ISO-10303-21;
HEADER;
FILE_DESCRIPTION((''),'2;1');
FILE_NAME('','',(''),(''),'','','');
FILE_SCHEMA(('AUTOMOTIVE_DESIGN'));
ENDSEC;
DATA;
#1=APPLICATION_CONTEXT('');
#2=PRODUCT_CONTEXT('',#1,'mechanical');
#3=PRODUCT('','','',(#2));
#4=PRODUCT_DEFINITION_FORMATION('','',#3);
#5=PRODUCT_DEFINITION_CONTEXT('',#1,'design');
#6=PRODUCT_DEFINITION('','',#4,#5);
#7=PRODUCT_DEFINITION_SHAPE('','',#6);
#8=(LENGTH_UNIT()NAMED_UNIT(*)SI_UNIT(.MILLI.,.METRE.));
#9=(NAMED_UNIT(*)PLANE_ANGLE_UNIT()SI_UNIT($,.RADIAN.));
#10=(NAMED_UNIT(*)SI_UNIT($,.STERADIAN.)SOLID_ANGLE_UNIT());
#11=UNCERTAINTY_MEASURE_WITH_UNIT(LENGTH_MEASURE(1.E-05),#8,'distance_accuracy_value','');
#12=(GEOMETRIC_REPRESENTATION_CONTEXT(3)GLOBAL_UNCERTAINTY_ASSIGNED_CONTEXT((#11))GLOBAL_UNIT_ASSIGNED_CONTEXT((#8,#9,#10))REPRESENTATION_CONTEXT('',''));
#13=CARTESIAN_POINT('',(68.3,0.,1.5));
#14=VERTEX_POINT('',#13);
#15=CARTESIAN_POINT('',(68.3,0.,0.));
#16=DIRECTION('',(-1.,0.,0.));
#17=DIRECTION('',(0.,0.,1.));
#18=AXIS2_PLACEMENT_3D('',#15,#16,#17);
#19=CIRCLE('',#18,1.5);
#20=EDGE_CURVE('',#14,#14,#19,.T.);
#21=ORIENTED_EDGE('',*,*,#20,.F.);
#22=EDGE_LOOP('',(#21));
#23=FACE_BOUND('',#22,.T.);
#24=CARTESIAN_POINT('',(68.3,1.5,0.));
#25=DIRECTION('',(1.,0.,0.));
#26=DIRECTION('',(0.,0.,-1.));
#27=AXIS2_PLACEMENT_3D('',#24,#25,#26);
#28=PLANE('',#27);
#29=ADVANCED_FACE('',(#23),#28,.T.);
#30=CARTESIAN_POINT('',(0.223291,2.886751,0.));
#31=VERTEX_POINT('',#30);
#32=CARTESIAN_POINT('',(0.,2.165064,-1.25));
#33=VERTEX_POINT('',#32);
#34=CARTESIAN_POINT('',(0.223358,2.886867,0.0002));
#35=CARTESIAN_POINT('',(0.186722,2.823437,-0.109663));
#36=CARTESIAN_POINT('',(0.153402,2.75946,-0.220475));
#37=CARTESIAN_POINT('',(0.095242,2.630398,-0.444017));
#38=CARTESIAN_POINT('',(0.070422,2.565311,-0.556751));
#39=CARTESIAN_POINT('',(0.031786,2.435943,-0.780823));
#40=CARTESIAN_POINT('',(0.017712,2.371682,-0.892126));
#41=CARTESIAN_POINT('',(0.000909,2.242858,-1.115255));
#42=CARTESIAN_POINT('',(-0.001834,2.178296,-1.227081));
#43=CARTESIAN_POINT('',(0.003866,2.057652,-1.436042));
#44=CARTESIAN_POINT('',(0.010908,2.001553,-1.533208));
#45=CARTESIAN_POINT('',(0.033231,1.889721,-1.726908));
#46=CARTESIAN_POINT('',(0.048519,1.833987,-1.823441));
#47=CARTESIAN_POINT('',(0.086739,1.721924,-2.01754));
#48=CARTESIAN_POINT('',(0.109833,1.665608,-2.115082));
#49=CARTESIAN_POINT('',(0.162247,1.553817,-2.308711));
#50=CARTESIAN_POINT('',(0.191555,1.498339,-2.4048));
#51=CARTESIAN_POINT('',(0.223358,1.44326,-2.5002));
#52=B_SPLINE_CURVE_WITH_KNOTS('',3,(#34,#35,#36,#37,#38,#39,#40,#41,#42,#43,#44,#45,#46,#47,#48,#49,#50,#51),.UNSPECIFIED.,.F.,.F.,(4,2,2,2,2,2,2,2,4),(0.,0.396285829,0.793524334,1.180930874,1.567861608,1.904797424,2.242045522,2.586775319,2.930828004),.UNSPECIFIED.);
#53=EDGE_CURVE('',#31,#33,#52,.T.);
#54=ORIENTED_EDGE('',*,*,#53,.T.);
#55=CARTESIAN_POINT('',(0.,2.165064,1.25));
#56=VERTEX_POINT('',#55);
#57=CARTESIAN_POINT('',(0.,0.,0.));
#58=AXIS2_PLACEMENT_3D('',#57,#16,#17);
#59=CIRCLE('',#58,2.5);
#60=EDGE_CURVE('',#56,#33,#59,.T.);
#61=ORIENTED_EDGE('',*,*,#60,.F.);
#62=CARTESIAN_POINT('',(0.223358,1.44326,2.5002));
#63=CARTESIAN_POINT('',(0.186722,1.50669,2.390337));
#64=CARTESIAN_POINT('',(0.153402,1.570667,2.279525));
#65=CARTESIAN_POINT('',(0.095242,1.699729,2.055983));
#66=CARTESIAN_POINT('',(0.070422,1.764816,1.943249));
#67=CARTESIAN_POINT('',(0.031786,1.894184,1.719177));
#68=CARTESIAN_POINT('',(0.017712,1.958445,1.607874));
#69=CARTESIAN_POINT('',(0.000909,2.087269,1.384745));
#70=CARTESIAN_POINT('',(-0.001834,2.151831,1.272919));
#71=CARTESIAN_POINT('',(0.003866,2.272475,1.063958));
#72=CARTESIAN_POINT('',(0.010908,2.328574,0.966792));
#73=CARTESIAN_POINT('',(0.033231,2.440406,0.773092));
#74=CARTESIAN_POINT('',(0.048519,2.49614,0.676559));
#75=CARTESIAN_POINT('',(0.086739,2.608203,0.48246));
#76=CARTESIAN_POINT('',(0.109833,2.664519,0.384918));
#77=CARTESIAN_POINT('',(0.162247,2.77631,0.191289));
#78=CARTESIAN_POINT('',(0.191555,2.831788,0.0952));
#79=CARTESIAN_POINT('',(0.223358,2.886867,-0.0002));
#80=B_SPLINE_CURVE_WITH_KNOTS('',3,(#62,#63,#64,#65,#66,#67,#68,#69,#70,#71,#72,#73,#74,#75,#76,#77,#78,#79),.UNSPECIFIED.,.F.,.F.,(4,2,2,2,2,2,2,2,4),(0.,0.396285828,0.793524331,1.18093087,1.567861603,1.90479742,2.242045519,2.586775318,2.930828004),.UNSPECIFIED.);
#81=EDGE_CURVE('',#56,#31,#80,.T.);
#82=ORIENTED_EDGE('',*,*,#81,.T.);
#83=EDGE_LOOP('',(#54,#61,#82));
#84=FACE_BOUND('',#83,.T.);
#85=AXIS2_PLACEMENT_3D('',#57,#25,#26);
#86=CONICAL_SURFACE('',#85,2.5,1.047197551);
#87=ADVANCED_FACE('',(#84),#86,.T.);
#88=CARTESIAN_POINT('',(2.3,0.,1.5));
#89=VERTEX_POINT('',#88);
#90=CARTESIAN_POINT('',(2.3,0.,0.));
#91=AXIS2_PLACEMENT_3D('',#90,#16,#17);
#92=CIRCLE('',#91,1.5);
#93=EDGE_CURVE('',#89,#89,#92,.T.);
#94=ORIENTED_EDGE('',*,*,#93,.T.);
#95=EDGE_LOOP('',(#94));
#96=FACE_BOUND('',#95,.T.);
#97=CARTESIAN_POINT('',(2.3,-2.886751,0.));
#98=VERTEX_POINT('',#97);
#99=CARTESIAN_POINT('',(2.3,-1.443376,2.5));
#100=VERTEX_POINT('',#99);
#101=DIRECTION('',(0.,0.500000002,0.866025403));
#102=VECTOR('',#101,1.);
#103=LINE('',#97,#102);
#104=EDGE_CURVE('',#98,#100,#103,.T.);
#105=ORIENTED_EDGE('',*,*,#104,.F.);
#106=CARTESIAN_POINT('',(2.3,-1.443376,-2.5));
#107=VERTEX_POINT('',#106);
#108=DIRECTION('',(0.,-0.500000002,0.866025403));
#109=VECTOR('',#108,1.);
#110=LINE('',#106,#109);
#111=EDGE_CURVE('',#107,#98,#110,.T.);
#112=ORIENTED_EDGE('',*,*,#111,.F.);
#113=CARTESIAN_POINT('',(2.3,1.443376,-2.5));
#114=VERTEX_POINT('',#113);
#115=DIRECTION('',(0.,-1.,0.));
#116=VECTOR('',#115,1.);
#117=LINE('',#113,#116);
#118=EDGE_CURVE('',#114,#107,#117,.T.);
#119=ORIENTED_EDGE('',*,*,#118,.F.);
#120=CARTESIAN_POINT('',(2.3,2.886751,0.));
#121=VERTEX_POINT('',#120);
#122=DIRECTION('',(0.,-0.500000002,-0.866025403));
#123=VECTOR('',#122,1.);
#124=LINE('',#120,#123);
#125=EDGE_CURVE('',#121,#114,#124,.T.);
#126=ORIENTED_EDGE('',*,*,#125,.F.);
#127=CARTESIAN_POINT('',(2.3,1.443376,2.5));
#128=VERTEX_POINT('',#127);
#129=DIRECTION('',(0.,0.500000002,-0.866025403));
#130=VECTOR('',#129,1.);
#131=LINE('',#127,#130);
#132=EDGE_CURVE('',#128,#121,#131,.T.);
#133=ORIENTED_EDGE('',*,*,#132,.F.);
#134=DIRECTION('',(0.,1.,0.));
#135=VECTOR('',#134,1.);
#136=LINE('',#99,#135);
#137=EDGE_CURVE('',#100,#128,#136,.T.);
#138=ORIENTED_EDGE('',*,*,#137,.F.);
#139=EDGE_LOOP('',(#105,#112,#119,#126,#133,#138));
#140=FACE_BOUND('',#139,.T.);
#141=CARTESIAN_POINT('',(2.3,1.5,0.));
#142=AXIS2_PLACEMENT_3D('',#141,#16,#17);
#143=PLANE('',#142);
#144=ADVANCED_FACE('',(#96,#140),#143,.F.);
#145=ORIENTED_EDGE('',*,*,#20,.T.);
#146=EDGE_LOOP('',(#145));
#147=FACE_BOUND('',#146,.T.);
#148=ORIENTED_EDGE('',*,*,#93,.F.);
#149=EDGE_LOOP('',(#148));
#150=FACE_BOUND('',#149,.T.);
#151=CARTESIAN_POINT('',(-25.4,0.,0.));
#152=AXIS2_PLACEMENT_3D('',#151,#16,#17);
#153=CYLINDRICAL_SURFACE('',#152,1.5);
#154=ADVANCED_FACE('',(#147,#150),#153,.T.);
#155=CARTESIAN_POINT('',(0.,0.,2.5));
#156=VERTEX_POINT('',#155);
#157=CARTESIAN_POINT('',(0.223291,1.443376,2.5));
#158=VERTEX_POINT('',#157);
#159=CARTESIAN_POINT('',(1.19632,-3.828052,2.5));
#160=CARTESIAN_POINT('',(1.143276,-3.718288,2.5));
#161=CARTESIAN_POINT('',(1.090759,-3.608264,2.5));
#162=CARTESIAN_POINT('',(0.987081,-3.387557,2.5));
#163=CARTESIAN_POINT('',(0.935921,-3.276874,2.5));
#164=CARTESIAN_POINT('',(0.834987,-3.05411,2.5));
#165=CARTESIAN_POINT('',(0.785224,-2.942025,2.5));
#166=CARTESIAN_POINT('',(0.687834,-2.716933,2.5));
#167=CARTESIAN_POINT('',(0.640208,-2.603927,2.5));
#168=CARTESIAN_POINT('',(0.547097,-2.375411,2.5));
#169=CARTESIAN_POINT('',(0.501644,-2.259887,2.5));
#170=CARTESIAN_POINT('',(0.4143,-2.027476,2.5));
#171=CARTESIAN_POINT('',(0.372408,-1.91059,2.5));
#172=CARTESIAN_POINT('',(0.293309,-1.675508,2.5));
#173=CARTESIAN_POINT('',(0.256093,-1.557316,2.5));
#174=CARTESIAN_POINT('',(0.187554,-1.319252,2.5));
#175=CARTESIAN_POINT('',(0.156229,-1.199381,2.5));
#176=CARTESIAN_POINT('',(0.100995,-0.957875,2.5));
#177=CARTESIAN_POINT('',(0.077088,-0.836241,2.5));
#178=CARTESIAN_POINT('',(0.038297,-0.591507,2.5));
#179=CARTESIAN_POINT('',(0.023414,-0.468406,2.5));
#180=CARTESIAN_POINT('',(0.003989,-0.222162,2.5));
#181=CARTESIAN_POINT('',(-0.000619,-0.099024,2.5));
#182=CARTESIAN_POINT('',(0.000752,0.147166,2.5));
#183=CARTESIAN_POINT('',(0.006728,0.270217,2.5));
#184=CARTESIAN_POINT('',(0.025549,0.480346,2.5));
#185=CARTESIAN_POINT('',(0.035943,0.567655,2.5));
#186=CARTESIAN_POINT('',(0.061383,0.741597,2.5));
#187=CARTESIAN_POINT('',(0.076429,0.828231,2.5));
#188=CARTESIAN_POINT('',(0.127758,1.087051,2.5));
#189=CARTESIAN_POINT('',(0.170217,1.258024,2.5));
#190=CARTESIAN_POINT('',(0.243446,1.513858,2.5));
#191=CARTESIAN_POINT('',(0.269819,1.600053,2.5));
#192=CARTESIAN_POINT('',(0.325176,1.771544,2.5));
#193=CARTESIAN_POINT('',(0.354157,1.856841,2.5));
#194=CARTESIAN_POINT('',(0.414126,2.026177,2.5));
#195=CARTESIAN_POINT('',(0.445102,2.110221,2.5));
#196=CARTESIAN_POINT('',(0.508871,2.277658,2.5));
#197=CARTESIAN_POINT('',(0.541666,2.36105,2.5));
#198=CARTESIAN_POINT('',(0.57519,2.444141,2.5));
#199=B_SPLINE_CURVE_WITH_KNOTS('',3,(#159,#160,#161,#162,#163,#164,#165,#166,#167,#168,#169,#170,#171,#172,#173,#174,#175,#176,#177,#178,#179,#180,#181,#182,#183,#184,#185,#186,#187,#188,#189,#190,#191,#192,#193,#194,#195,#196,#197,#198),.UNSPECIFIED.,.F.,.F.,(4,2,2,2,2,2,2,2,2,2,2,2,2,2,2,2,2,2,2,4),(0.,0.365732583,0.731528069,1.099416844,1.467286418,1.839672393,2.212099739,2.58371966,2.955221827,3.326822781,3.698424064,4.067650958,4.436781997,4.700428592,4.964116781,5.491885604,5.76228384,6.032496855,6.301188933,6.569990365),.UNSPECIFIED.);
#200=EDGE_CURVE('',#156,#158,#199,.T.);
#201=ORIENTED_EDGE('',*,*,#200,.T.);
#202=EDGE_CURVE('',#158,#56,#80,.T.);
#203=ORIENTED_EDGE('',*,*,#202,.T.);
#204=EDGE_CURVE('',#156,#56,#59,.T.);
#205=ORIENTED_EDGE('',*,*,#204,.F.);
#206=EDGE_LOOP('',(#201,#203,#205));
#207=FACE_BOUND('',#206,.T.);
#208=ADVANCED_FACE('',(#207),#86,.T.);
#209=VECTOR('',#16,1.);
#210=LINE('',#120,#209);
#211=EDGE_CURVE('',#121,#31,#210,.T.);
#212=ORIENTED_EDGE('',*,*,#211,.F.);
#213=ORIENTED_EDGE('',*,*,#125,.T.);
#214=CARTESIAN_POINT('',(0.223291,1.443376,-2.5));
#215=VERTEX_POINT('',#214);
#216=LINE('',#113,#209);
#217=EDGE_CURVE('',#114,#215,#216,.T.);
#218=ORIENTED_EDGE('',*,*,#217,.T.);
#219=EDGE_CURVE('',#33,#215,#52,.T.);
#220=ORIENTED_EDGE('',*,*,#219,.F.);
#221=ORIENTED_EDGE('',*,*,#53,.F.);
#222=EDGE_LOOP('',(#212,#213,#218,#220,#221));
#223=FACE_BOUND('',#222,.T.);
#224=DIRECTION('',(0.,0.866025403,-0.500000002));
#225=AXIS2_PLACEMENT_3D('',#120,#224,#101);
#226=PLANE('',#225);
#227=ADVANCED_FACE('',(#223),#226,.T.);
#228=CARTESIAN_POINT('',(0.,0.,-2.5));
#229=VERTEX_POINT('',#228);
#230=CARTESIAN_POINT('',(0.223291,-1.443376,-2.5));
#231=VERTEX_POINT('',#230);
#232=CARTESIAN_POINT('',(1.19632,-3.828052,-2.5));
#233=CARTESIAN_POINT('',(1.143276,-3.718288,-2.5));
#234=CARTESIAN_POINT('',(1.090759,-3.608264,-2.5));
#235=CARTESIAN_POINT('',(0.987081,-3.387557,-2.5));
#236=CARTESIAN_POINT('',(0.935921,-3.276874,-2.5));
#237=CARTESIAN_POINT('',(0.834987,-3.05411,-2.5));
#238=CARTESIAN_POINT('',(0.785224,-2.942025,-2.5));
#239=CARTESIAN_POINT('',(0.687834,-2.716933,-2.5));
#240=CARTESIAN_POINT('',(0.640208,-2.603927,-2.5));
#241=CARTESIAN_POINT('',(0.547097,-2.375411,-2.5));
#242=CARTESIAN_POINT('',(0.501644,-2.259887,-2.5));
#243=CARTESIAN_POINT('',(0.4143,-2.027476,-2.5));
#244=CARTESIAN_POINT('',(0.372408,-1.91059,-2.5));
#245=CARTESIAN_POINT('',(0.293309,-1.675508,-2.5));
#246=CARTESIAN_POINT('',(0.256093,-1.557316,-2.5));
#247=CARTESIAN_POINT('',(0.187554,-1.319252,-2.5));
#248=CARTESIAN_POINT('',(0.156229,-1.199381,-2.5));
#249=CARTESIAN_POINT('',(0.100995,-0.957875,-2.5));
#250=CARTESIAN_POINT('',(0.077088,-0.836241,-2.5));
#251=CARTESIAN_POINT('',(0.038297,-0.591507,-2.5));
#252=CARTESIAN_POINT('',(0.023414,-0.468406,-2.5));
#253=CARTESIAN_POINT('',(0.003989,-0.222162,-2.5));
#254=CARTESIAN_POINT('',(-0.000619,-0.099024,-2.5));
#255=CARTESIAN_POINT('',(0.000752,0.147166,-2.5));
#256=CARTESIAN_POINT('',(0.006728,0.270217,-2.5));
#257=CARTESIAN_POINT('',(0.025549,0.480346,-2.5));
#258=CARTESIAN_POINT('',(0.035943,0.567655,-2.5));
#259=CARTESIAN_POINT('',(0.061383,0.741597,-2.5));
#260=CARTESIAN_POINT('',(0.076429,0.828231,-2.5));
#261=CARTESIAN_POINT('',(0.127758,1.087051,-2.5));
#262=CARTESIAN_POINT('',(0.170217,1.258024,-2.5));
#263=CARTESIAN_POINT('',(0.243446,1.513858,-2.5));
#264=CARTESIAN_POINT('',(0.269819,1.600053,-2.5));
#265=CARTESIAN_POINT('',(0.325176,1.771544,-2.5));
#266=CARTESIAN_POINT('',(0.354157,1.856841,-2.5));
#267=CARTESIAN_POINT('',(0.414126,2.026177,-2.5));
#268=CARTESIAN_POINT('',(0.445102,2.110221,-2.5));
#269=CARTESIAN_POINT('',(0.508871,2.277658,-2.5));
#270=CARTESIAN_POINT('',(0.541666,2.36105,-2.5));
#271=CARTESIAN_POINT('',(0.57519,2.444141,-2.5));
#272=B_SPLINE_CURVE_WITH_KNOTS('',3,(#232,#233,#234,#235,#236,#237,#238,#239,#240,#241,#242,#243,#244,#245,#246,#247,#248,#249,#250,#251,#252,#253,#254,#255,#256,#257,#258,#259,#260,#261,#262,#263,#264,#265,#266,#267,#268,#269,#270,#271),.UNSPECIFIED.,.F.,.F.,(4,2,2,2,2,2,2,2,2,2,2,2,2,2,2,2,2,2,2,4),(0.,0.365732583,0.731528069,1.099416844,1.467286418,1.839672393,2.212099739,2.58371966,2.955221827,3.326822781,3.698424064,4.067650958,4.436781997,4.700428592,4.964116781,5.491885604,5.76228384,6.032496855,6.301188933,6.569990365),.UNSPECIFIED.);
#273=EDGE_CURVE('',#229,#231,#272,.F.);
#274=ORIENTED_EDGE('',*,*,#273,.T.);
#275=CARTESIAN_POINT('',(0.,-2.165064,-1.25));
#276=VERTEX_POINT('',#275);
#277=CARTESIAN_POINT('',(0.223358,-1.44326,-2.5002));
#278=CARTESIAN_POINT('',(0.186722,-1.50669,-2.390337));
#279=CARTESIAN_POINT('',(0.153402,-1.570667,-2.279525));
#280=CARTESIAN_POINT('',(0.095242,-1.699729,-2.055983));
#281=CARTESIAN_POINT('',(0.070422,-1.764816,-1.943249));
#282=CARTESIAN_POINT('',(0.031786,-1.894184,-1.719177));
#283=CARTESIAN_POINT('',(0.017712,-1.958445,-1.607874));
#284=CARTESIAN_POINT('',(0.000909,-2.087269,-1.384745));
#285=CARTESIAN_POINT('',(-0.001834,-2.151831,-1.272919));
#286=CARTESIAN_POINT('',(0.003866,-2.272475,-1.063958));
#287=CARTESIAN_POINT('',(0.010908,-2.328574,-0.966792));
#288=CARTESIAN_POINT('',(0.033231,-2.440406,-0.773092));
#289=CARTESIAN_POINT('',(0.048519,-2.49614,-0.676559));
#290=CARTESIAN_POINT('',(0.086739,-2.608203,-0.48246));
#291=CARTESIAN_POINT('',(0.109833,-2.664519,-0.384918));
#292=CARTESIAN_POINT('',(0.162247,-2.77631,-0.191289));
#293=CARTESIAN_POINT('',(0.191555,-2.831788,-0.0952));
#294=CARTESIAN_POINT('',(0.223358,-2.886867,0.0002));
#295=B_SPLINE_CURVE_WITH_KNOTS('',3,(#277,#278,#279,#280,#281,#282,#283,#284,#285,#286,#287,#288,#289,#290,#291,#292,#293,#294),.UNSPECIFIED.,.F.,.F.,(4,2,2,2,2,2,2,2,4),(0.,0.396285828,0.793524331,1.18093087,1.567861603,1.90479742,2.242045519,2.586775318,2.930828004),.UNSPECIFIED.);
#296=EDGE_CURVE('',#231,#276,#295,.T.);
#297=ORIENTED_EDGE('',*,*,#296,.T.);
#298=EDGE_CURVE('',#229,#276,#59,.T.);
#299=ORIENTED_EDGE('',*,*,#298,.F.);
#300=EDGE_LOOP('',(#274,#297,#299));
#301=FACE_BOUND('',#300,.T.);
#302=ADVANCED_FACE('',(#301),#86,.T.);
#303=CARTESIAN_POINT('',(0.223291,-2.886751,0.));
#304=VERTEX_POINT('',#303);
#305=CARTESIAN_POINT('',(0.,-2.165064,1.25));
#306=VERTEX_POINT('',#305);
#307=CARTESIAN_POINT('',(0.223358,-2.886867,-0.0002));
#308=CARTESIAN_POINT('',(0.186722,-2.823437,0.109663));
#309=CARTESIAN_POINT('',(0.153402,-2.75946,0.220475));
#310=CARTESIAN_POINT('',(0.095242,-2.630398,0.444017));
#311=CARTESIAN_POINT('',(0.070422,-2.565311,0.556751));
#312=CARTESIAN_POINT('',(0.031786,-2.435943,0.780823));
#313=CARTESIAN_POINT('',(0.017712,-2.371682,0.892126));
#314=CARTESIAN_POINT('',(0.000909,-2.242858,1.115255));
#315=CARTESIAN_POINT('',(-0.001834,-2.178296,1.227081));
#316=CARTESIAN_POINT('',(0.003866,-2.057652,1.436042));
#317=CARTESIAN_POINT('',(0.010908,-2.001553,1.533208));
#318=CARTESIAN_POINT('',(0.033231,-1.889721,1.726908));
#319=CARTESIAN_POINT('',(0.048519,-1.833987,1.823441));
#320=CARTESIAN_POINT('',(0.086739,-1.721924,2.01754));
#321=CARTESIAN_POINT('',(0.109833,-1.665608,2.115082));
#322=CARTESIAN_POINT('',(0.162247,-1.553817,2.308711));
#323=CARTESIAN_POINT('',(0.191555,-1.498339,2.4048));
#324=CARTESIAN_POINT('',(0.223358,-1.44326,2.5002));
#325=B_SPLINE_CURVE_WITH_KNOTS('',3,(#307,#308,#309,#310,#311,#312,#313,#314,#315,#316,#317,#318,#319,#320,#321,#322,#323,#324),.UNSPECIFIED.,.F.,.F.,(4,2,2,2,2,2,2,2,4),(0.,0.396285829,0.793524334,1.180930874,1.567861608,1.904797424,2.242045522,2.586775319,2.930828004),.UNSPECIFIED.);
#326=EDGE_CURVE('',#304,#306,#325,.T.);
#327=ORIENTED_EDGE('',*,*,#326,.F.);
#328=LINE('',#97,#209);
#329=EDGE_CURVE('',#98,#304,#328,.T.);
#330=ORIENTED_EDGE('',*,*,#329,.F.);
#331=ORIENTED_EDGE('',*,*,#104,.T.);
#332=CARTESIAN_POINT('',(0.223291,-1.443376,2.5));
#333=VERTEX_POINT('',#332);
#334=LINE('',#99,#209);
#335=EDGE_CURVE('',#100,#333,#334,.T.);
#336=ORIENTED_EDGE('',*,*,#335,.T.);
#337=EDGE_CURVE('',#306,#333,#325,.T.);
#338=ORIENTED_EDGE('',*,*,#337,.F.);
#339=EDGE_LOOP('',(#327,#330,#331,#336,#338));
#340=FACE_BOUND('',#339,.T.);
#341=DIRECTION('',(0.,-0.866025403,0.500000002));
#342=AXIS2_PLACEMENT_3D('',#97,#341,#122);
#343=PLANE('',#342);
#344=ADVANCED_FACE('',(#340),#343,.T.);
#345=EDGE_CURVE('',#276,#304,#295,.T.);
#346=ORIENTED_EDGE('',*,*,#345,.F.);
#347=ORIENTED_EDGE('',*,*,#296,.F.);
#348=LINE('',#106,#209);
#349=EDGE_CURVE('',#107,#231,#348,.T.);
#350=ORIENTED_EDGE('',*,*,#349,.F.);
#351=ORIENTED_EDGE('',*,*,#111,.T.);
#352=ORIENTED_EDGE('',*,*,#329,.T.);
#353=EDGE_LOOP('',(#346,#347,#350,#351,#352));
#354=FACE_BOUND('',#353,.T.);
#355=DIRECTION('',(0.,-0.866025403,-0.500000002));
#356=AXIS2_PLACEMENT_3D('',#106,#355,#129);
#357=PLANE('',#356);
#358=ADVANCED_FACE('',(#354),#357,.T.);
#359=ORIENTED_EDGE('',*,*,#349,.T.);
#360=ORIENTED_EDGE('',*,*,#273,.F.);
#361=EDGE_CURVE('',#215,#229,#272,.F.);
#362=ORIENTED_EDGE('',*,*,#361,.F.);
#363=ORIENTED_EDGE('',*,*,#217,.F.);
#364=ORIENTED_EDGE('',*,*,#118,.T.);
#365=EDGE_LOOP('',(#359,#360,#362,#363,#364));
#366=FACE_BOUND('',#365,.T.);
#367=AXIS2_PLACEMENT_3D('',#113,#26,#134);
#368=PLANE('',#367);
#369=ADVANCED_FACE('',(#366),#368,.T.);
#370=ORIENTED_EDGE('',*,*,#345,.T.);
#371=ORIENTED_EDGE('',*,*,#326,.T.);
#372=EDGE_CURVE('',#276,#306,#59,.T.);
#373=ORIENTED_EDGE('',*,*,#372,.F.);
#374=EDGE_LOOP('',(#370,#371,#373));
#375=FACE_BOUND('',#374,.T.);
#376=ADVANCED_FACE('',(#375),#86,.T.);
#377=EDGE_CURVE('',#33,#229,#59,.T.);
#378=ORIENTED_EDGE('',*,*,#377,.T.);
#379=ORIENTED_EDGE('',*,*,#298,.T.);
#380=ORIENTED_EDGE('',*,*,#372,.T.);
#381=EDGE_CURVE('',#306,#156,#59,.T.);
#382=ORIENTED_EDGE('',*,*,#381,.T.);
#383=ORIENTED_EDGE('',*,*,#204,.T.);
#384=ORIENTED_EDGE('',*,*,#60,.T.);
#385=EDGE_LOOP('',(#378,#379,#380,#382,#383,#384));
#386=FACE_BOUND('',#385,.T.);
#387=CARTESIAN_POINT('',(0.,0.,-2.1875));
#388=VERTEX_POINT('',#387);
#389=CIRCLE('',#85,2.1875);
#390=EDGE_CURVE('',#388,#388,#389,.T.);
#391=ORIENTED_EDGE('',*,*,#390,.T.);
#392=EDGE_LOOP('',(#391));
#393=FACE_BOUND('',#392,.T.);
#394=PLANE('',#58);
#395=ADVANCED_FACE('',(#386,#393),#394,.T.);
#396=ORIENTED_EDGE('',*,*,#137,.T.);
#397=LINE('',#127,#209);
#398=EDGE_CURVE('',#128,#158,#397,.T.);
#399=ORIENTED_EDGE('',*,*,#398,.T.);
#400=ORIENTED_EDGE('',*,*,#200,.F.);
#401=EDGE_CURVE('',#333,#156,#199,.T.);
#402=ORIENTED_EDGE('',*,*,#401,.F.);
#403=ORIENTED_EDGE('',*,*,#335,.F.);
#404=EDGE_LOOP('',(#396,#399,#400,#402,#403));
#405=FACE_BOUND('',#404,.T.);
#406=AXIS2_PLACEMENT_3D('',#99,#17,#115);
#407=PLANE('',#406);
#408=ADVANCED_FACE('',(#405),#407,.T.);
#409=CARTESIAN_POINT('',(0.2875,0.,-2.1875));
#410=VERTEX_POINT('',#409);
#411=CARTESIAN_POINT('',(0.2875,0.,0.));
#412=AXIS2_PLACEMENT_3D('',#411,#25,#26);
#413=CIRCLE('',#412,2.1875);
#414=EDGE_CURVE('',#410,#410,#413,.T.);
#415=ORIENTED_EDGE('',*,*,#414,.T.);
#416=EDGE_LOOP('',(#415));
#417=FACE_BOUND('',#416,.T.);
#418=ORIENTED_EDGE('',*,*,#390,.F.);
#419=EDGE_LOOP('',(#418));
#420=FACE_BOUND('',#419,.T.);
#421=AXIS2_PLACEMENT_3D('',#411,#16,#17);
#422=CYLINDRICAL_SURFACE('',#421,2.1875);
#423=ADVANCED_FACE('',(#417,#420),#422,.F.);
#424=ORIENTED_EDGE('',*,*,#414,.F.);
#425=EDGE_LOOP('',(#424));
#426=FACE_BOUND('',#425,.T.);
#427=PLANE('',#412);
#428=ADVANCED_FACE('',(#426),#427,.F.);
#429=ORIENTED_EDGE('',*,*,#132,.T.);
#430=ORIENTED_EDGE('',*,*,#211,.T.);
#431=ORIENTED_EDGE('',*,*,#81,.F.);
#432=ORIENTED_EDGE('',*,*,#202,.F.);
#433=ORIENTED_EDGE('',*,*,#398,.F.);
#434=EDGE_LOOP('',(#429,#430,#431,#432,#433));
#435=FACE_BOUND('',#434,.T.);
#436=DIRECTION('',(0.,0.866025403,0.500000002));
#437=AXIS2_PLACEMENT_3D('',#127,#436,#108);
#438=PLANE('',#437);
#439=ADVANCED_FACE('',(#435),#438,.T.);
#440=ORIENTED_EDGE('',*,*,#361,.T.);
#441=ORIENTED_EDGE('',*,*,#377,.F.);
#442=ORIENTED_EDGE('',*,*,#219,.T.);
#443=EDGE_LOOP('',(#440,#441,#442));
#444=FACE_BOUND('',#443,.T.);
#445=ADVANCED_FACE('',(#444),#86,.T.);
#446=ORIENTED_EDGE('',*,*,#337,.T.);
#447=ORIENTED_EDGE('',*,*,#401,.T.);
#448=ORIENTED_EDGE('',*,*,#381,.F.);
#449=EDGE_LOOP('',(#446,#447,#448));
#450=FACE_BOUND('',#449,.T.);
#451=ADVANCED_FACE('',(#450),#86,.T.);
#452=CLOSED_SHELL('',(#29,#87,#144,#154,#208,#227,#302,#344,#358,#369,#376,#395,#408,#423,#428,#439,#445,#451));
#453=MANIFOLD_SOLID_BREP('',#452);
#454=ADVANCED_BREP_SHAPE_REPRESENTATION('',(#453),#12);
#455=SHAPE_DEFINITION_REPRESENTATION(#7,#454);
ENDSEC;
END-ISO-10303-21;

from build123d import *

# Parameters (mm, degrees)
SKETCH2_R     = 2.915704388
HEX_DIE_DEPTH = 2.3
SKETCH4_R     = 2.1875
INDENT_DEPTH  = 0.2875


with BuildPart() as part:
    # BodySke → Base-Revolve (revolve)
    with BuildSketch(Plane.XY):
        Polygon((2.3, 1.5), (2.3, 2.886836028), (0.223339885, 2.886836028), (0, 2.5), (0, 0), (68.3, 0), (68.3, 1.5), align=None)
    revolve(axis=Axis((-25.4, 0, 0), (1, 0, 0)))

    # Sketch2 → Hex-Die (cut)
    with BuildSketch(Plane(origin=(0, 0, 0), x_dir=(0, 0, -1), z_dir=(1, 0, 0))):
        Circle(SKETCH2_R)
        Polygon((-2.5, 1.443375679), (0, 2.886751359), (2.5, 1.443375679), (2.5, -1.443375679), (0, -2.886751359), (-2.5, -1.443375679), align=None, mode=Mode.SUBTRACT)
    extrude(amount=HEX_DIE_DEPTH, mode=Mode.SUBTRACT)

    # Sketch4 → Indent (cut)
    with BuildSketch(Plane(origin=(0, 0, 0), x_dir=(0, 0, -1), z_dir=(1, 0, 0))):
        Circle(SKETCH4_R)
    extrude(amount=INDENT_DEPTH, mode=Mode.SUBTRACT)


solid = part.part
